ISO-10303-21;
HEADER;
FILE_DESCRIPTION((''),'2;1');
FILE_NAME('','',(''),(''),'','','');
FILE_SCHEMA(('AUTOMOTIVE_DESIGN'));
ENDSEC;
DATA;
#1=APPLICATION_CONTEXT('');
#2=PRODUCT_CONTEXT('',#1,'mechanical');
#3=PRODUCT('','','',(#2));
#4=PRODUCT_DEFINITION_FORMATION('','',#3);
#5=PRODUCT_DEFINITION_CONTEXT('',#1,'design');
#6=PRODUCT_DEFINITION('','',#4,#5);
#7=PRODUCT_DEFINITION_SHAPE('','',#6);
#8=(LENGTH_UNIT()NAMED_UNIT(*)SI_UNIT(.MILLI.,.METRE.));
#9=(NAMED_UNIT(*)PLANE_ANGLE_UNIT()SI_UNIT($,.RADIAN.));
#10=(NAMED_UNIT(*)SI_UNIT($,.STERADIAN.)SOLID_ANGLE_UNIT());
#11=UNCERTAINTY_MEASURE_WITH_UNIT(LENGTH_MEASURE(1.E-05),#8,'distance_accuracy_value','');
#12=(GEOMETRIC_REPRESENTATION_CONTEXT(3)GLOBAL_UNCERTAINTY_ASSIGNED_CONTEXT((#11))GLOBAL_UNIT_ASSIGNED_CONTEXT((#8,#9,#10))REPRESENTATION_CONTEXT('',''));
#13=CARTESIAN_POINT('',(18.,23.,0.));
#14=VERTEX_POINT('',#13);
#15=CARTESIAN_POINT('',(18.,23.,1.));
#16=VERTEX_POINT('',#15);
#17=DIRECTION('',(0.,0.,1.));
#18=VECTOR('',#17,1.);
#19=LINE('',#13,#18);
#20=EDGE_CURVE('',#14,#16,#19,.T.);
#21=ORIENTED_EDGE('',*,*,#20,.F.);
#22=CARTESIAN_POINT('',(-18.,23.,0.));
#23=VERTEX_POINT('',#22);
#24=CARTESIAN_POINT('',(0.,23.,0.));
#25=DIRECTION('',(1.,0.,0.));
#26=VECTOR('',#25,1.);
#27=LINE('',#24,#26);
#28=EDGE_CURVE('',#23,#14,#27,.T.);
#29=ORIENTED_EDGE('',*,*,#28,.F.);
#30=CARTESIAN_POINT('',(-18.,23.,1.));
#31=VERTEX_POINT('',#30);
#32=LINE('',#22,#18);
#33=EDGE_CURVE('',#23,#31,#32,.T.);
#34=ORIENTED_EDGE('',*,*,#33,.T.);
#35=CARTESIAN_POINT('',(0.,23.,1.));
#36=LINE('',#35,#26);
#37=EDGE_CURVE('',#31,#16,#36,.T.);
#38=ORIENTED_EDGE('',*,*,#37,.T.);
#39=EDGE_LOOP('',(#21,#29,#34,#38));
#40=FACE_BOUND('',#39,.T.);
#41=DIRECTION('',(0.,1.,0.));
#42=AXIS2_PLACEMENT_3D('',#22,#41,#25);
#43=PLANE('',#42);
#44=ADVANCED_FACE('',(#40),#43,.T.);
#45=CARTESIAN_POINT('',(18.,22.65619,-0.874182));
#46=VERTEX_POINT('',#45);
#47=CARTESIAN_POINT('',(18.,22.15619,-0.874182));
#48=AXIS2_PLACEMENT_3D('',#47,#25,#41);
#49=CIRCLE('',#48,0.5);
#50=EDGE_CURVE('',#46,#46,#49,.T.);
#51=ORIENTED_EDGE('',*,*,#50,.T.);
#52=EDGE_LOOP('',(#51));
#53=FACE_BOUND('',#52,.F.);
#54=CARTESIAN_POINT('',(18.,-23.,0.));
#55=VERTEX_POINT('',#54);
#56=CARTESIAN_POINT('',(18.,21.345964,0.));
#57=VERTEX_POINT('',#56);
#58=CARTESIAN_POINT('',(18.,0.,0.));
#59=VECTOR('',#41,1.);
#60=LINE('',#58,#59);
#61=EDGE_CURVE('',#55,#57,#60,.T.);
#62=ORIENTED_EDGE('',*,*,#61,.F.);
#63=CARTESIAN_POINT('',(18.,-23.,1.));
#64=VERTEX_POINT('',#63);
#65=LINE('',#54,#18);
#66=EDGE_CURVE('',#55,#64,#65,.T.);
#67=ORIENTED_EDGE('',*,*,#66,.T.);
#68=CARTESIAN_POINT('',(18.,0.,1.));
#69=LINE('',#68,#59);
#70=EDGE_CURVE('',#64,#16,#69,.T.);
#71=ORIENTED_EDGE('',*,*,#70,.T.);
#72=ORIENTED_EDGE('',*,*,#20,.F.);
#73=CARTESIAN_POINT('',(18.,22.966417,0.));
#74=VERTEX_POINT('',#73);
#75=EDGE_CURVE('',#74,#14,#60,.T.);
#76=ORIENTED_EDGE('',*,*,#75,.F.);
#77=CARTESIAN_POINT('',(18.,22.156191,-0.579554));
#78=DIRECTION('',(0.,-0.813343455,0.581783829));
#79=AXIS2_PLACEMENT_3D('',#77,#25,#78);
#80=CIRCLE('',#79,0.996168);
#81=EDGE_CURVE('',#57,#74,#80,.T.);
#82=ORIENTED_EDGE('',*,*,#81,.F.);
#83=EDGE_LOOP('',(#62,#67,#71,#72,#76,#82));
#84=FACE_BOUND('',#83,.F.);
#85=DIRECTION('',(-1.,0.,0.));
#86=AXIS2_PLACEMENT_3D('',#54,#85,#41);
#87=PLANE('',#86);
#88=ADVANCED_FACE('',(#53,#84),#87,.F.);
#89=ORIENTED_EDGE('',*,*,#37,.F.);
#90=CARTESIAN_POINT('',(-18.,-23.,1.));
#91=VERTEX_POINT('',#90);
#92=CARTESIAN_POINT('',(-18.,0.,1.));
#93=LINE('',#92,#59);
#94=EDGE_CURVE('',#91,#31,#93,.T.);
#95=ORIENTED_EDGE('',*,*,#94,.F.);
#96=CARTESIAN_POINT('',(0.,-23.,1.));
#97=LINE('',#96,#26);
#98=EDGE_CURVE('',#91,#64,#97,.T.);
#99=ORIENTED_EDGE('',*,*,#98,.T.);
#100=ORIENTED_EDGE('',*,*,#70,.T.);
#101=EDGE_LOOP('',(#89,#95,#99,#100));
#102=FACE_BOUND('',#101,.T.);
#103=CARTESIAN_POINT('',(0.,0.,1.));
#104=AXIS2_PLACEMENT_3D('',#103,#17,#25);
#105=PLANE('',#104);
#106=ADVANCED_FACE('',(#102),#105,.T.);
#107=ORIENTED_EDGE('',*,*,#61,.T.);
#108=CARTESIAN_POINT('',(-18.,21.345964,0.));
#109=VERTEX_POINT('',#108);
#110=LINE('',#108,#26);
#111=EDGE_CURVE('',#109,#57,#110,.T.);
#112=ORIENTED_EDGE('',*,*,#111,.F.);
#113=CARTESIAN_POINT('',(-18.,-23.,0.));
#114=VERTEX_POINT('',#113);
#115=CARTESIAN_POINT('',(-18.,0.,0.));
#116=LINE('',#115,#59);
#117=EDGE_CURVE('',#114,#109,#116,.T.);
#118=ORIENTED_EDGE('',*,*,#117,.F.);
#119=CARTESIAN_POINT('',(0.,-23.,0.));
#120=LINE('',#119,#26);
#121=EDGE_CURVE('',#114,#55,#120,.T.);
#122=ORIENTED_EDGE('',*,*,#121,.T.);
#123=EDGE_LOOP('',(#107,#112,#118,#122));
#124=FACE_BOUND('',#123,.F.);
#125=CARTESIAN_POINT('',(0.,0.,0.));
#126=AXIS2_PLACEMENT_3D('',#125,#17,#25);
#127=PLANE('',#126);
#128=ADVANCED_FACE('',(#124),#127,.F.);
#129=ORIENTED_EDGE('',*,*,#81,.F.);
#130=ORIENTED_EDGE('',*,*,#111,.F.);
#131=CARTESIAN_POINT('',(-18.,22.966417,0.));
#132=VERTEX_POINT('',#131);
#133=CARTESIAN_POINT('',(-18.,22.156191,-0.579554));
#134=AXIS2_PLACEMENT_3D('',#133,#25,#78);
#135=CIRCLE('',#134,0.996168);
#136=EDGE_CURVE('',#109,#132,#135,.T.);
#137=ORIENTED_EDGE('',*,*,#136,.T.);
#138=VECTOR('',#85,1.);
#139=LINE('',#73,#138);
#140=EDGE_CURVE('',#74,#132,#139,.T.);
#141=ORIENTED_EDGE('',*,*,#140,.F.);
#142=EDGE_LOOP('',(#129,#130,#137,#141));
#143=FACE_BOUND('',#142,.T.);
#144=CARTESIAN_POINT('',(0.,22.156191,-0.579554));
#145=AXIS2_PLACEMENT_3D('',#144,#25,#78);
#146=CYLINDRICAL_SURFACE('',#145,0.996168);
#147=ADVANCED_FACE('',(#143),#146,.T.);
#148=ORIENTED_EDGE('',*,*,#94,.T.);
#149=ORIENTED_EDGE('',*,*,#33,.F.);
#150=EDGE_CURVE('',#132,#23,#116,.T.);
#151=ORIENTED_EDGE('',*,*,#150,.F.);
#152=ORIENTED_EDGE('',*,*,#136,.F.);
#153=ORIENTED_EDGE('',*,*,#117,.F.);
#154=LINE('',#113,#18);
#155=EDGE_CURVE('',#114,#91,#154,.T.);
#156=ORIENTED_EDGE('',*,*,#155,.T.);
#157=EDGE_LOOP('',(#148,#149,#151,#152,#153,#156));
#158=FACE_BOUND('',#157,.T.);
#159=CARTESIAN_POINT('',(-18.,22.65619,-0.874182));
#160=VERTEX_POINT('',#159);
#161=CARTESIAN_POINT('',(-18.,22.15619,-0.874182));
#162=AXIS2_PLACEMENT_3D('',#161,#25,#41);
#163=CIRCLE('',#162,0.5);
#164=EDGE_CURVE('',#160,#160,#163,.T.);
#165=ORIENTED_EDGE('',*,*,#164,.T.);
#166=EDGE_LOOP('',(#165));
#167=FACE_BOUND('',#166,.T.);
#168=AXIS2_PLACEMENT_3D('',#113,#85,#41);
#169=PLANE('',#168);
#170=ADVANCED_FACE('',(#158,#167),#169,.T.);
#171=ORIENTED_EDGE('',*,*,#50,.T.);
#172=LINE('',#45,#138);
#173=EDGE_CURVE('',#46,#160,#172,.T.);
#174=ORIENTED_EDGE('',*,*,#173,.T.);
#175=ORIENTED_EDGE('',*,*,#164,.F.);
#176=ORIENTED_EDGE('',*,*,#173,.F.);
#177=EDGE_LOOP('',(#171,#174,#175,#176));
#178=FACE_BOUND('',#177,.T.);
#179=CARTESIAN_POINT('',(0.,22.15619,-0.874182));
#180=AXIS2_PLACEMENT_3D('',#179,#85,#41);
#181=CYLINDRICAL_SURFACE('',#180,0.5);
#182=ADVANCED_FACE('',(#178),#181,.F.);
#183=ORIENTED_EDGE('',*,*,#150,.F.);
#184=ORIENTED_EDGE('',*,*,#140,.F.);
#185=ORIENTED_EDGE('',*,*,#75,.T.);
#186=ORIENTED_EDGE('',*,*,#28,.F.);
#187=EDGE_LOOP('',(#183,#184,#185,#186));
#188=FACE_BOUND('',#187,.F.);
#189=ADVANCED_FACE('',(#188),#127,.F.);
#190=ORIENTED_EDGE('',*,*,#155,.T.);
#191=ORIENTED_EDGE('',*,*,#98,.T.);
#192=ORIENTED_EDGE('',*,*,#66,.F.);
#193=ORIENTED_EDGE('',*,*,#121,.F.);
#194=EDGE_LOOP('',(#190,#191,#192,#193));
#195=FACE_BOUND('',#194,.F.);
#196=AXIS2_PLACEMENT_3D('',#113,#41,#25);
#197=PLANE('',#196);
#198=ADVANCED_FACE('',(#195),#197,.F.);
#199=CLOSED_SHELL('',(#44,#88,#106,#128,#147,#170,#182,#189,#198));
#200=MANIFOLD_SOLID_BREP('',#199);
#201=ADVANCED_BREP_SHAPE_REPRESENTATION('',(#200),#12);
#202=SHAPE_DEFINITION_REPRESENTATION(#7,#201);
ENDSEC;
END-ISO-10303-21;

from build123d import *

# Parameters (mm, degrees)
F0_W     = 36
F0_H     = 46
F1_DEPTH = 1
F2_R     = 0.5
F3_DEPTH = 18


with BuildPart() as f1:
    # F0 (on Top) → F1 (new body)
    with BuildSketch(Plane.XY):
        Rectangle(F0_W, F0_H)
    extrude(amount=F1_DEPTH)

    # F2 (on Right) → F3 (join, symmetric)
    with BuildSketch(Plane.YZ):
        with BuildLine():
            Line((22.966417, 0), (21.345964, 0))
            ThreePointArc((21.345964, 0), (22.15619, -1.575722), (22.966417, 0))
        make_face()
        with Locations((22.15619, -0.874182)):
            Circle(F2_R, mode=Mode.SUBTRACT)
    extrude(amount=F3_DEPTH, both=True)


solid = f1.part
